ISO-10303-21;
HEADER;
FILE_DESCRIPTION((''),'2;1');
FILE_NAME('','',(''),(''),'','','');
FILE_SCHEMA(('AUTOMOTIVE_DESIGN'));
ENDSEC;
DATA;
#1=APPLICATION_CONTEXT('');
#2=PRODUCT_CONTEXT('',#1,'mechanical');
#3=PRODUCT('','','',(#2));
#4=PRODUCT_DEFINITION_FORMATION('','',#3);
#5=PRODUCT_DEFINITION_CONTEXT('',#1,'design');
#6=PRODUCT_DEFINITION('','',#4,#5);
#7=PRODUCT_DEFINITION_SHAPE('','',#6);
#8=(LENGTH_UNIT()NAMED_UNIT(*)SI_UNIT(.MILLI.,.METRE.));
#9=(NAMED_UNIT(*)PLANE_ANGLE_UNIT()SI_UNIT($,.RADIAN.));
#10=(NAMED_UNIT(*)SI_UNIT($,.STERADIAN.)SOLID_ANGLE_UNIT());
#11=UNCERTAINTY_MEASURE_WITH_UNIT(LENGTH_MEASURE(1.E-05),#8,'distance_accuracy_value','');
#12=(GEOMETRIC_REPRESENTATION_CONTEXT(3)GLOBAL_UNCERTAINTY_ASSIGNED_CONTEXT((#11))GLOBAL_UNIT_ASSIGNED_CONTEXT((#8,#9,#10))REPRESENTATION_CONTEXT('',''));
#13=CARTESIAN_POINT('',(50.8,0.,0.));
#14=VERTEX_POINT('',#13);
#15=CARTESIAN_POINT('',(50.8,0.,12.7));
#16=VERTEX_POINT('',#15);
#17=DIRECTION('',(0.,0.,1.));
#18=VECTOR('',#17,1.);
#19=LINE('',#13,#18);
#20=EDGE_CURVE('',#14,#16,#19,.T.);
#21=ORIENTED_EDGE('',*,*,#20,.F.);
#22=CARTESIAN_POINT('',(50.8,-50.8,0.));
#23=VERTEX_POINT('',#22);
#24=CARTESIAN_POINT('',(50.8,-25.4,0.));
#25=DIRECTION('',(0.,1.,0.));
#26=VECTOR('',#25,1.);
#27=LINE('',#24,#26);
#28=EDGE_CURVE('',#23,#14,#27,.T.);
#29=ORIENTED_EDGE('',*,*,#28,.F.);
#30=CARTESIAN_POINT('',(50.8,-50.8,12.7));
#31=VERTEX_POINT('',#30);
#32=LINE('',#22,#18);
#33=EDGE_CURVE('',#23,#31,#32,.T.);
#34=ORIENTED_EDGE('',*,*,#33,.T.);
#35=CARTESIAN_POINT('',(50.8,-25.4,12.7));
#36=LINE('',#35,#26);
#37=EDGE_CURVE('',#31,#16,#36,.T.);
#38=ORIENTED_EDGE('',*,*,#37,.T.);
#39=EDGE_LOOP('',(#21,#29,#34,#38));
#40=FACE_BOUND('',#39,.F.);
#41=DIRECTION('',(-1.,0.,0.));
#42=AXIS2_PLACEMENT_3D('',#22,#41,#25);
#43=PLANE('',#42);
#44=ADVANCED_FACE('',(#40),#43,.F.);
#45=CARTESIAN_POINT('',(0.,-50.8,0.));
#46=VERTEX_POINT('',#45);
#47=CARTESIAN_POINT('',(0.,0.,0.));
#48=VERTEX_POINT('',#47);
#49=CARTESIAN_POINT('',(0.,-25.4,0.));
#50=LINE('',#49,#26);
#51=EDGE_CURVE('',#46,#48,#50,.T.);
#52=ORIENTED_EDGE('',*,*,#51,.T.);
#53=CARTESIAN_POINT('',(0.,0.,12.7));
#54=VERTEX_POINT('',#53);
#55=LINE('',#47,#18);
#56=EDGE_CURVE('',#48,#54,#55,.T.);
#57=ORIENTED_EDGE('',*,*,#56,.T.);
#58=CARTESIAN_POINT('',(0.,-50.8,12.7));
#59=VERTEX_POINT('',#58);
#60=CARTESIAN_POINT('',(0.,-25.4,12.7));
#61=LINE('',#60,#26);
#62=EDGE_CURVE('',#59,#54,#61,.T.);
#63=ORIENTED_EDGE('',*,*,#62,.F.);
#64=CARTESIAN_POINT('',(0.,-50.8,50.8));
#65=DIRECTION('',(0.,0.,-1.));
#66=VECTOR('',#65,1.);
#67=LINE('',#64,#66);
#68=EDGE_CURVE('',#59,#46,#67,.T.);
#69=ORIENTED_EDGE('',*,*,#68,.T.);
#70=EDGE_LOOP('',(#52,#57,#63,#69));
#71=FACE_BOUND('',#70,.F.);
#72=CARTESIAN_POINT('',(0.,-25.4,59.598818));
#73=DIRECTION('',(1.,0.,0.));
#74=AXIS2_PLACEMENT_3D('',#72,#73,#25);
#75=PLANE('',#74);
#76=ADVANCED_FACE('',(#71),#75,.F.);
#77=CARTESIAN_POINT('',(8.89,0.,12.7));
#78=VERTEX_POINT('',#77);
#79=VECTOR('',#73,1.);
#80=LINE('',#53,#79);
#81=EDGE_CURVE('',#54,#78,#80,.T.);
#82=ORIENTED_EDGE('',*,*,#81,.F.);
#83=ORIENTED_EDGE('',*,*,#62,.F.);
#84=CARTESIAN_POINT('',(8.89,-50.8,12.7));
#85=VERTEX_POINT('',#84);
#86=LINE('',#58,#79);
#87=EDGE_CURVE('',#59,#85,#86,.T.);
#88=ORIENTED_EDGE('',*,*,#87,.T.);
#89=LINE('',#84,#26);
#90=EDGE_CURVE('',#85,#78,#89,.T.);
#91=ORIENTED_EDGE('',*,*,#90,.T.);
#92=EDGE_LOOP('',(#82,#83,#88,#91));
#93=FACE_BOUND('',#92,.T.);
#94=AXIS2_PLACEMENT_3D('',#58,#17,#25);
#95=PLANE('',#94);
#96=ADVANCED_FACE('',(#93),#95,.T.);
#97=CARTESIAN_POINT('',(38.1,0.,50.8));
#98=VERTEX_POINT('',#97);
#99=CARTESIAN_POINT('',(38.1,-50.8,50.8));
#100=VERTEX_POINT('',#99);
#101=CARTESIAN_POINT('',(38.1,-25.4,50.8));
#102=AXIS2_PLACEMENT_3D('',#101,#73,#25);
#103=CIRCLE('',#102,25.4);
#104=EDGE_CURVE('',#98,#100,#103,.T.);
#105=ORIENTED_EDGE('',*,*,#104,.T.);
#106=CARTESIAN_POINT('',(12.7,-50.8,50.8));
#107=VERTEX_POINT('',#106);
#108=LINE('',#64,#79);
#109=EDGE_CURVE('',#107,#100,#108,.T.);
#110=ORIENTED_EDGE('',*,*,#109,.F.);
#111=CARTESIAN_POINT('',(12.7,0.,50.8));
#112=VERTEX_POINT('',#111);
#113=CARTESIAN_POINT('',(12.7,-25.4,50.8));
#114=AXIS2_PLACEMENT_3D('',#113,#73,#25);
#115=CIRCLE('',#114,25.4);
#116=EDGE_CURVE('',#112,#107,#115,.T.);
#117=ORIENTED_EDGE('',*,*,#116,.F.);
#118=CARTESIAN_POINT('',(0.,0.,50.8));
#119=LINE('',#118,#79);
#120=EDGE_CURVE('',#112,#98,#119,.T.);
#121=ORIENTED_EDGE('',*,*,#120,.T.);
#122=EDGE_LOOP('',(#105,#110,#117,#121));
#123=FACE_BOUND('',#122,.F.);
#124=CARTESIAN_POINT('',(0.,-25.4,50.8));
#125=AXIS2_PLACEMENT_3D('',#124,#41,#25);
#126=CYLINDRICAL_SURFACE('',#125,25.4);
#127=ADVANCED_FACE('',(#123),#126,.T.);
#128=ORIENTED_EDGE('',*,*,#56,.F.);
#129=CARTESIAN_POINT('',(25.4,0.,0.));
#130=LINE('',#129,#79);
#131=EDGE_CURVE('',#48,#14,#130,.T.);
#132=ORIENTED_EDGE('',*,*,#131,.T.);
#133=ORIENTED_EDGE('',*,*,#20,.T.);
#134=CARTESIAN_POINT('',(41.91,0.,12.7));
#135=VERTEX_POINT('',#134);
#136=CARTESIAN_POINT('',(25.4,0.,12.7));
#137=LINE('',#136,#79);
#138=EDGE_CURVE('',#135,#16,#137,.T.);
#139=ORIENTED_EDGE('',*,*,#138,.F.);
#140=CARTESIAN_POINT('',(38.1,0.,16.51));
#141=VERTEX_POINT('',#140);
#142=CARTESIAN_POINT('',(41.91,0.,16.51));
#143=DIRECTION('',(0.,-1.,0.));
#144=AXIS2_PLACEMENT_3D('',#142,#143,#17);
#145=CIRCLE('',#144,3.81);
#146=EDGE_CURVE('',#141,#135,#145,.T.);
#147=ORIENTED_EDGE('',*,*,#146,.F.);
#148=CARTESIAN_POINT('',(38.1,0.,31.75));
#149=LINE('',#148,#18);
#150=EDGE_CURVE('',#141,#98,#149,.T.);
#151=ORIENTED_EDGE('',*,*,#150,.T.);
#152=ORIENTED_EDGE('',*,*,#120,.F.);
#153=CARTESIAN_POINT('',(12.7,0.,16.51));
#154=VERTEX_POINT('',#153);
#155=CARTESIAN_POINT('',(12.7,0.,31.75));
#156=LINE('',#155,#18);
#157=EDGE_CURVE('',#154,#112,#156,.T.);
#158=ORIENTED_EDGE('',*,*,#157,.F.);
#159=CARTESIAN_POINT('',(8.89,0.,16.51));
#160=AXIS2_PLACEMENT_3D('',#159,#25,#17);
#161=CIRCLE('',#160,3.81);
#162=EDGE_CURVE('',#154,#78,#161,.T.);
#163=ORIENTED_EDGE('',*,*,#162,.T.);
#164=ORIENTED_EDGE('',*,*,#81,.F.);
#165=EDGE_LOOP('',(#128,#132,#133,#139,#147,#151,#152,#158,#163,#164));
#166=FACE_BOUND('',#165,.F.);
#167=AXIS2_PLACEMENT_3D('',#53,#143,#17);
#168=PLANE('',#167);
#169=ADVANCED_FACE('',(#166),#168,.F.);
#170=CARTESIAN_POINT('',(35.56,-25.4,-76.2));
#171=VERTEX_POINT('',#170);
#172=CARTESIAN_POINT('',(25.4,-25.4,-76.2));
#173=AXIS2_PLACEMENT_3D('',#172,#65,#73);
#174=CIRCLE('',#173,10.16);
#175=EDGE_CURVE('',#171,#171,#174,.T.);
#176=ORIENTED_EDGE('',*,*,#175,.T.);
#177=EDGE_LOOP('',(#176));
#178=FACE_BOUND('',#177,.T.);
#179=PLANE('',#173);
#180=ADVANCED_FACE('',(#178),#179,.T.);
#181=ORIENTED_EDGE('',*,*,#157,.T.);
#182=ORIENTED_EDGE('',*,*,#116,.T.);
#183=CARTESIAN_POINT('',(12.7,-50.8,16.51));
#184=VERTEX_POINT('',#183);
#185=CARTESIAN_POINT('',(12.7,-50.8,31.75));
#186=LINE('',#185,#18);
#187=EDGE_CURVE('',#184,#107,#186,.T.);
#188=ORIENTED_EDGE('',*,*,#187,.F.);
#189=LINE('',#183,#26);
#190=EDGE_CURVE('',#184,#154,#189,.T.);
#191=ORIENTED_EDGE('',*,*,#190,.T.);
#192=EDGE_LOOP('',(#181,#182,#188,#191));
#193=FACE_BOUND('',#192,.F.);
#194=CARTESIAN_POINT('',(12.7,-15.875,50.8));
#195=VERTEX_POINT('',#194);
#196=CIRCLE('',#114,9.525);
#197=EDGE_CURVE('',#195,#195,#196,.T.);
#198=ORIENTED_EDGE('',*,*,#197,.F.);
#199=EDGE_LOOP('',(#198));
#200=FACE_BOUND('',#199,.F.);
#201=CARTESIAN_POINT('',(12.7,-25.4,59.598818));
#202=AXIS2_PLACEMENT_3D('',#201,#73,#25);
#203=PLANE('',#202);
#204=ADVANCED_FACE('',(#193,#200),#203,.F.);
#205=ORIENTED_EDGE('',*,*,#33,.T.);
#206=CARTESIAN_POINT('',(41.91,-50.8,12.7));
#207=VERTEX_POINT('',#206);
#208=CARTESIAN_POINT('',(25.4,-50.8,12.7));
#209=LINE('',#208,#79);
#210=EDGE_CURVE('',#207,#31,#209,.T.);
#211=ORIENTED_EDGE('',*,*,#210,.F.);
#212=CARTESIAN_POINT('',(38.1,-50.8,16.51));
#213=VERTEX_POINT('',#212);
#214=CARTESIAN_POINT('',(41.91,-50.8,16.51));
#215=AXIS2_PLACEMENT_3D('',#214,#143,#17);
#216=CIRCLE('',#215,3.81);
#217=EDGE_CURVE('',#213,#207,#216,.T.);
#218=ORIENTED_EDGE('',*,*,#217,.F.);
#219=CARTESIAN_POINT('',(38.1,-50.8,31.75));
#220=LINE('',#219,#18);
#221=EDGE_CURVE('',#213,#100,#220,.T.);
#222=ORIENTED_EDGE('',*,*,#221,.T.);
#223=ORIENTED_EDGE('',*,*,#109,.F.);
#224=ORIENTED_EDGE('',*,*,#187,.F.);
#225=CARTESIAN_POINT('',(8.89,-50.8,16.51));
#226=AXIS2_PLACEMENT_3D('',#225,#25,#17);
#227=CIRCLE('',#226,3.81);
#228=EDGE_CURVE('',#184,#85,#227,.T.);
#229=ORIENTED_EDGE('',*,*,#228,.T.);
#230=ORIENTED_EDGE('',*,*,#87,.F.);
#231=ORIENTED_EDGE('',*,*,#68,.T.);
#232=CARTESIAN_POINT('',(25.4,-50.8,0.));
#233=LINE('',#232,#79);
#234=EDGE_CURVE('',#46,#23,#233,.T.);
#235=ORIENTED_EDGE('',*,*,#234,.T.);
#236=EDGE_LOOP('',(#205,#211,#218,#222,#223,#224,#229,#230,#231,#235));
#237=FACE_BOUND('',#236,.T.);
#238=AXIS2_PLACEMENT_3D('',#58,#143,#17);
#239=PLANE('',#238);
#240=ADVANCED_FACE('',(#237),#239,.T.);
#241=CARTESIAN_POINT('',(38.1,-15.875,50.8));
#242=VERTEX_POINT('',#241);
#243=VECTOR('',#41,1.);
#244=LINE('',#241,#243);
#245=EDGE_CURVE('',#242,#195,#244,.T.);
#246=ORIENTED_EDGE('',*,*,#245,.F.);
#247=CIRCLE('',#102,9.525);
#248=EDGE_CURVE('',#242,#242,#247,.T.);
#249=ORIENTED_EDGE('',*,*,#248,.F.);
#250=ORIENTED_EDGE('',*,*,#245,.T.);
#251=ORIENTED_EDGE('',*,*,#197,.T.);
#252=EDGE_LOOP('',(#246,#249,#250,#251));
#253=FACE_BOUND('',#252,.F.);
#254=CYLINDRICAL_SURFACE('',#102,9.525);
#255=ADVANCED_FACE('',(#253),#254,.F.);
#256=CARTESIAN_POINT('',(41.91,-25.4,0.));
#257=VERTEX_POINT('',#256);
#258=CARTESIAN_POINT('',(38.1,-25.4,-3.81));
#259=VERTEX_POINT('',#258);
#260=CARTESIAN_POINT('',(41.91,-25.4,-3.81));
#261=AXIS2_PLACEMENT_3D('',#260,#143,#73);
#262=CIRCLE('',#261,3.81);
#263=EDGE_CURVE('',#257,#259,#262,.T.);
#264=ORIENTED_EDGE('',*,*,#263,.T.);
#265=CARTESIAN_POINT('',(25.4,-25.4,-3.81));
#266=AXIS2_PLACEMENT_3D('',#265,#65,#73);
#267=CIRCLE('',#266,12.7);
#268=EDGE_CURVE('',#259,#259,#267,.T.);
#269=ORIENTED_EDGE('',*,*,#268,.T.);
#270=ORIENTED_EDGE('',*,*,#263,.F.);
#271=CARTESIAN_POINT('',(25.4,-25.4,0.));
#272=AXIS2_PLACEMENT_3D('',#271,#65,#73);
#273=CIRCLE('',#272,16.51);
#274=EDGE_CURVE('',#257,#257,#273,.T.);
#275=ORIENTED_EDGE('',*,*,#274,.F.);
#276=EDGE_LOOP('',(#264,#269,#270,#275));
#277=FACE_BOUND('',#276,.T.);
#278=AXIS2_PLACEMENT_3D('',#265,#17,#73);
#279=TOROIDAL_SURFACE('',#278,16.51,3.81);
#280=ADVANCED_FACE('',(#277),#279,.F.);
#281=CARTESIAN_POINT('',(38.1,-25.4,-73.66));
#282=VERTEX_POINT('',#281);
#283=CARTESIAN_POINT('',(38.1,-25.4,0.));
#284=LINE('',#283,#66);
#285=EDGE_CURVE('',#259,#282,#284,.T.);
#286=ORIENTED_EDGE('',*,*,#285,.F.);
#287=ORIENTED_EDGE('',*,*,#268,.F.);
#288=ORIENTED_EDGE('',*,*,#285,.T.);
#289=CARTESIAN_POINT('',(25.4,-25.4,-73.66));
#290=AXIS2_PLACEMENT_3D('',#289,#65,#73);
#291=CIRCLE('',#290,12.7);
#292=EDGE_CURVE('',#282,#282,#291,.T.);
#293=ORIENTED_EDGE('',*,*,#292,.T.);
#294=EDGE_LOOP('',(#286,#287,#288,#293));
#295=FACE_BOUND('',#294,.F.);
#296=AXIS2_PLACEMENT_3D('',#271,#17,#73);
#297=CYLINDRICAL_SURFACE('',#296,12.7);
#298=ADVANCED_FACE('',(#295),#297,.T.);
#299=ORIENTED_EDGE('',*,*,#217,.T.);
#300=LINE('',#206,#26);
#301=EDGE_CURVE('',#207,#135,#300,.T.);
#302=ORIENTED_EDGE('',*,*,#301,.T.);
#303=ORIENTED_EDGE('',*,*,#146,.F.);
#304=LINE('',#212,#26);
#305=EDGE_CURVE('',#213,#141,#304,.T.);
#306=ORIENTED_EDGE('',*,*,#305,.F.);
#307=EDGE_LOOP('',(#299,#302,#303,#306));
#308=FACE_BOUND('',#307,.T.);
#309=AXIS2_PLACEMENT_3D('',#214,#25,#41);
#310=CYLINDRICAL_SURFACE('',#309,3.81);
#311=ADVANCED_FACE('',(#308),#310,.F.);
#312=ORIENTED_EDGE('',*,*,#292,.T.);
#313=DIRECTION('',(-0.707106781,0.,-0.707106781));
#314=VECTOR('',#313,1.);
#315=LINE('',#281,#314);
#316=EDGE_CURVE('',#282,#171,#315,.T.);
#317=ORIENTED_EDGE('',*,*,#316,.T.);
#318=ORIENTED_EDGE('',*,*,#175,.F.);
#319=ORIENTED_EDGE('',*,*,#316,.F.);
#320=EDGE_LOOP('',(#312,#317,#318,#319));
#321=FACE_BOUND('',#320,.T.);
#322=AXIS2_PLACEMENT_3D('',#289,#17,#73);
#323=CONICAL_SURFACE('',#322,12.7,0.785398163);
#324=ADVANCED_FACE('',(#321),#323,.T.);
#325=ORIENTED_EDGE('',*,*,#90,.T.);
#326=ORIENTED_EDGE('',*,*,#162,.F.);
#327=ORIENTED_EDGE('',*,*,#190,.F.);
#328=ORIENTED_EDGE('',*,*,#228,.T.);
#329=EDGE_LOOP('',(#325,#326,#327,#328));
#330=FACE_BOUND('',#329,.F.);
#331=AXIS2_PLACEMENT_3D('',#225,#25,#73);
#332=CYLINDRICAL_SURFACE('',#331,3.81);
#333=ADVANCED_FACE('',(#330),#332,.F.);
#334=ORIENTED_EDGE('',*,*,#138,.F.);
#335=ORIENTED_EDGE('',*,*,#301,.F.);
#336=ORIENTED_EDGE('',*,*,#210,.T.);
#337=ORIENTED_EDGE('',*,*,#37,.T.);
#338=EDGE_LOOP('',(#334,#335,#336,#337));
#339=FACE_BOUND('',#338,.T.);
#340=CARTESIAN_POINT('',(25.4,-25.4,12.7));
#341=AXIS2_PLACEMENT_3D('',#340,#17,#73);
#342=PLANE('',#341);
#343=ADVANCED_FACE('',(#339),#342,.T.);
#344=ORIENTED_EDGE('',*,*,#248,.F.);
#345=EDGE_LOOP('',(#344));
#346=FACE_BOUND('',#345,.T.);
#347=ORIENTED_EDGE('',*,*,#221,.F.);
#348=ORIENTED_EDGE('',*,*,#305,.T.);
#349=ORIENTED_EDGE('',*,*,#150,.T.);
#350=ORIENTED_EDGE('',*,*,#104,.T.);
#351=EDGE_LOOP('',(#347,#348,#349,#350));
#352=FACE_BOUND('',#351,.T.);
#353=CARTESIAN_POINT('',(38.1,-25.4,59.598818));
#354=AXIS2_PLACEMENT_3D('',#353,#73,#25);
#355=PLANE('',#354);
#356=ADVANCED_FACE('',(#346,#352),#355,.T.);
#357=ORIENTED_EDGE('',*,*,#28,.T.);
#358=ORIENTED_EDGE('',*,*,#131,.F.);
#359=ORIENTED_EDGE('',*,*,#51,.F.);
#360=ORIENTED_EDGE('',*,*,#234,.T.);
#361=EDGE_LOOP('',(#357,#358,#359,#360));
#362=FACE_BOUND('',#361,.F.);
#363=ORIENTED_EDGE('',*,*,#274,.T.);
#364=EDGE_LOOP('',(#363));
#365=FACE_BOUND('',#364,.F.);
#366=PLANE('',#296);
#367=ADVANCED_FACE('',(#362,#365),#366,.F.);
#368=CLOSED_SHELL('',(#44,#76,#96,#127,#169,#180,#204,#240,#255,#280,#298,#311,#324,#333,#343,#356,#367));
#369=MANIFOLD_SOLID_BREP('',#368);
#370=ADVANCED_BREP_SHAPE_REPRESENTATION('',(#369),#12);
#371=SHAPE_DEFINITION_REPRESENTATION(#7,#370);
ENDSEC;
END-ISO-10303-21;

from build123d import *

# Parameters (mm, degrees)
F0_W      = 50.8
F0_H      = 50.8
F1_DEPTH  = 12.7
F3_R      = 12.7
F4_DEPTH  = 76.2
F5_W      = 50.8
F5_H      = 38.1
F6_DEPTH  = 38.1
F7_DEPTH  = 12.7
F8_R      = 9.525
F9_DEPTH  = 38.101
F10_R     = 3.81
F11_SIZE2 = 2.54
F11_SIZE  = 2.54


with BuildPart() as f1:
    # F0 (on Top) → F1 (new body)
    with BuildSketch(Plane.XY):
        with Locations((25.4, -25.4)):
            Rectangle(F0_W, F0_H)
    extrude(amount=F1_DEPTH)

    # F3 (on face) → F4 (join)
    with BuildSketch(Plane(origin=(0, 0, 0), x_dir=(1, 0, 0), z_dir=(0, 0, -1))):
        with Locations((25.4, 25.4)):
            Circle(F3_R)
    extrude(amount=F4_DEPTH)

    # F5 (on Right) → F6 (join)
    with BuildSketch(Plane.YZ):
        with BuildLine():
            ThreePointArc((0, 50.8), (-25.4, 76.2), (-50.8, 50.8))
            Line((-50.8, 50.8), (0, 50.8))
        make_face()
        with Locations((-25.4, 31.75)):
            Rectangle(F5_W, F5_H)
    extrude(amount=F6_DEPTH)

    # F5 (on Right) → F7 (cut)
    with BuildSketch(Plane.YZ):
        with BuildLine():
            ThreePointArc((0, 50.8), (-25.4, 76.2), (-50.8, 50.8))
            Line((-50.8, 50.8), (0, 50.8))
        make_face()
        with Locations((-25.4, 31.75)):
            Rectangle(F5_W, F5_H)
    extrude(amount=F7_DEPTH, mode=Mode.SUBTRACT)

    # F8 (on face) → F9 (cut, through all)
    with BuildSketch(Plane.YZ.offset(38.1)):
        with Locations((-25.4, 50.8)):
            Circle(F8_R)
    extrude(amount=-F9_DEPTH, mode=Mode.SUBTRACT)

    # F10
    f10_edges = [f1.edges().sort_by_distance(p)[0] for p in [
        (38.1, -25.4, 12.7),
        (12.7, -25.4, 12.7),
        (12.7, -25.4, 0),
    ]]
    fillet(f10_edges, radius=F10_R)

    # F11
    f11_edges = [f1.edges().sort_by_distance(p)[0] for p in [
        (12.7, -25.4, -76.2),
    ]]
    chamfer(f11_edges, length=F11_SIZE, length2=F11_SIZE2)


solid = f1.part
